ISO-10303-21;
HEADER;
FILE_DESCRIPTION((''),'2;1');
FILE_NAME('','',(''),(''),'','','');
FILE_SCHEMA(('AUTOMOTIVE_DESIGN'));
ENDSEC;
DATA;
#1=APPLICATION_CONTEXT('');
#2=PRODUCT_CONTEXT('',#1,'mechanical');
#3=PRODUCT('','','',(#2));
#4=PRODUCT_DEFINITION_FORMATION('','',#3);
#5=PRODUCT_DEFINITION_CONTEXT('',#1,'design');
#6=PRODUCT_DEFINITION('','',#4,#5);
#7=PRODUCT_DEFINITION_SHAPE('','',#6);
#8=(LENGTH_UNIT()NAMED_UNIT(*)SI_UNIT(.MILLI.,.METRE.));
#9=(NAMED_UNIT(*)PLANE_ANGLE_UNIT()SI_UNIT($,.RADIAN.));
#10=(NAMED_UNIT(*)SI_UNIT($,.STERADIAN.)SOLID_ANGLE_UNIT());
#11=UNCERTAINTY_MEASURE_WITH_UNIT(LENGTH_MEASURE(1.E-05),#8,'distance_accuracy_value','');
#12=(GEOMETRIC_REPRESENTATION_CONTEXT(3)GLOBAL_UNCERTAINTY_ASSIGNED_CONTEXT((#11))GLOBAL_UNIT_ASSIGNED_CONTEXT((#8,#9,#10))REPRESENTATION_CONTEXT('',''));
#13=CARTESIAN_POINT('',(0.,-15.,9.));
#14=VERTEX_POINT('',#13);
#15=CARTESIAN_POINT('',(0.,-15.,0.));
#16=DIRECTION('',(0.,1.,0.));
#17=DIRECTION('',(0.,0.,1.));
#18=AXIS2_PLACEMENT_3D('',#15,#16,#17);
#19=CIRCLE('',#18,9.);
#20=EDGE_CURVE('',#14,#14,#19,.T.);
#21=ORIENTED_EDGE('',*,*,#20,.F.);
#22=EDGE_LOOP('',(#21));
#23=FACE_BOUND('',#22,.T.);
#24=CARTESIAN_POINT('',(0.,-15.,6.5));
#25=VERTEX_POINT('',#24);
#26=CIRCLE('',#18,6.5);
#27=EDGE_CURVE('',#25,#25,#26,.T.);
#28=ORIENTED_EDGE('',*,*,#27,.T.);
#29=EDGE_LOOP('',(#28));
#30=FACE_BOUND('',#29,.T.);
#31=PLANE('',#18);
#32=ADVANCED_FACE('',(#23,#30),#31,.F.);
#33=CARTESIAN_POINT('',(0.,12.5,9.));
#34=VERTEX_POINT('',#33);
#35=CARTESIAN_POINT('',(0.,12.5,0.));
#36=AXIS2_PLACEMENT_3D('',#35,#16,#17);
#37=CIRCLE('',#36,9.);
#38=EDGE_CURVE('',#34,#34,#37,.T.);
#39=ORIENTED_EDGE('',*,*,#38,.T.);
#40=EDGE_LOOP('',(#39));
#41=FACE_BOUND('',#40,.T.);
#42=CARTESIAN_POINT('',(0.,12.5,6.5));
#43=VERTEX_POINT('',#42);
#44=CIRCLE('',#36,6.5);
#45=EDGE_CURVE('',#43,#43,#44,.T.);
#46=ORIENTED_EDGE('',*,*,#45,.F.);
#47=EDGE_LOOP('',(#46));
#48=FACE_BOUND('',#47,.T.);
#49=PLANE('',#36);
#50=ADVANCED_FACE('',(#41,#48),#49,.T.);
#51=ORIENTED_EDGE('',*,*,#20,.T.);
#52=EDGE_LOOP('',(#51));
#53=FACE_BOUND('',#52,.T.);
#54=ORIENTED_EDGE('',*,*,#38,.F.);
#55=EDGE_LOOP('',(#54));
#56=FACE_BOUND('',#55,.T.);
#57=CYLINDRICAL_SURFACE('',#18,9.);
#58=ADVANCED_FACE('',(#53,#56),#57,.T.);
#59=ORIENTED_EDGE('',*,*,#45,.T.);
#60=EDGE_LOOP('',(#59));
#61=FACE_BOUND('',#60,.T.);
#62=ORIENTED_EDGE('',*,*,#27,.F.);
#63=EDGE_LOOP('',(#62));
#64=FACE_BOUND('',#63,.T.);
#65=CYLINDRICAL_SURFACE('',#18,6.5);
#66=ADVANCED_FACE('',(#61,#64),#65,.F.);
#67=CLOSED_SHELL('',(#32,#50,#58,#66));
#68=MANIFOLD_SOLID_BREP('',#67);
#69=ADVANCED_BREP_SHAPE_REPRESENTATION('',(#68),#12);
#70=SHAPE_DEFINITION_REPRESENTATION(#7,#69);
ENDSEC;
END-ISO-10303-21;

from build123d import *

# Parameters (mm, degrees)
BOSS_EXTRUDE1_DEPTH      = 12.5
BOSS_EXTRUDE1_DEPTH_BACK = 15
SKETCH1_R                = 9
SKETCH1_R_2              = 6.5


with BuildPart() as part:
    # Sketch1 → Boss-Extrude1 (new, two sides: drawn at the far end of the back side and taken through both)
    with BuildSketch(Plane(origin=(0, 0, 0), x_dir=(1, 0, 0), z_dir=(0, 1, 0)).offset(-BOSS_EXTRUDE1_DEPTH_BACK)):
        with Locations(Location((0, 0, 0), (0, 0, 270))):
            Circle(SKETCH1_R)
        with Locations(Location((0, 0, 0), (0, 0, 270))):
            Circle(SKETCH1_R_2, mode=Mode.SUBTRACT)
    extrude(amount=BOSS_EXTRUDE1_DEPTH + BOSS_EXTRUDE1_DEPTH_BACK)


solid = part.part
